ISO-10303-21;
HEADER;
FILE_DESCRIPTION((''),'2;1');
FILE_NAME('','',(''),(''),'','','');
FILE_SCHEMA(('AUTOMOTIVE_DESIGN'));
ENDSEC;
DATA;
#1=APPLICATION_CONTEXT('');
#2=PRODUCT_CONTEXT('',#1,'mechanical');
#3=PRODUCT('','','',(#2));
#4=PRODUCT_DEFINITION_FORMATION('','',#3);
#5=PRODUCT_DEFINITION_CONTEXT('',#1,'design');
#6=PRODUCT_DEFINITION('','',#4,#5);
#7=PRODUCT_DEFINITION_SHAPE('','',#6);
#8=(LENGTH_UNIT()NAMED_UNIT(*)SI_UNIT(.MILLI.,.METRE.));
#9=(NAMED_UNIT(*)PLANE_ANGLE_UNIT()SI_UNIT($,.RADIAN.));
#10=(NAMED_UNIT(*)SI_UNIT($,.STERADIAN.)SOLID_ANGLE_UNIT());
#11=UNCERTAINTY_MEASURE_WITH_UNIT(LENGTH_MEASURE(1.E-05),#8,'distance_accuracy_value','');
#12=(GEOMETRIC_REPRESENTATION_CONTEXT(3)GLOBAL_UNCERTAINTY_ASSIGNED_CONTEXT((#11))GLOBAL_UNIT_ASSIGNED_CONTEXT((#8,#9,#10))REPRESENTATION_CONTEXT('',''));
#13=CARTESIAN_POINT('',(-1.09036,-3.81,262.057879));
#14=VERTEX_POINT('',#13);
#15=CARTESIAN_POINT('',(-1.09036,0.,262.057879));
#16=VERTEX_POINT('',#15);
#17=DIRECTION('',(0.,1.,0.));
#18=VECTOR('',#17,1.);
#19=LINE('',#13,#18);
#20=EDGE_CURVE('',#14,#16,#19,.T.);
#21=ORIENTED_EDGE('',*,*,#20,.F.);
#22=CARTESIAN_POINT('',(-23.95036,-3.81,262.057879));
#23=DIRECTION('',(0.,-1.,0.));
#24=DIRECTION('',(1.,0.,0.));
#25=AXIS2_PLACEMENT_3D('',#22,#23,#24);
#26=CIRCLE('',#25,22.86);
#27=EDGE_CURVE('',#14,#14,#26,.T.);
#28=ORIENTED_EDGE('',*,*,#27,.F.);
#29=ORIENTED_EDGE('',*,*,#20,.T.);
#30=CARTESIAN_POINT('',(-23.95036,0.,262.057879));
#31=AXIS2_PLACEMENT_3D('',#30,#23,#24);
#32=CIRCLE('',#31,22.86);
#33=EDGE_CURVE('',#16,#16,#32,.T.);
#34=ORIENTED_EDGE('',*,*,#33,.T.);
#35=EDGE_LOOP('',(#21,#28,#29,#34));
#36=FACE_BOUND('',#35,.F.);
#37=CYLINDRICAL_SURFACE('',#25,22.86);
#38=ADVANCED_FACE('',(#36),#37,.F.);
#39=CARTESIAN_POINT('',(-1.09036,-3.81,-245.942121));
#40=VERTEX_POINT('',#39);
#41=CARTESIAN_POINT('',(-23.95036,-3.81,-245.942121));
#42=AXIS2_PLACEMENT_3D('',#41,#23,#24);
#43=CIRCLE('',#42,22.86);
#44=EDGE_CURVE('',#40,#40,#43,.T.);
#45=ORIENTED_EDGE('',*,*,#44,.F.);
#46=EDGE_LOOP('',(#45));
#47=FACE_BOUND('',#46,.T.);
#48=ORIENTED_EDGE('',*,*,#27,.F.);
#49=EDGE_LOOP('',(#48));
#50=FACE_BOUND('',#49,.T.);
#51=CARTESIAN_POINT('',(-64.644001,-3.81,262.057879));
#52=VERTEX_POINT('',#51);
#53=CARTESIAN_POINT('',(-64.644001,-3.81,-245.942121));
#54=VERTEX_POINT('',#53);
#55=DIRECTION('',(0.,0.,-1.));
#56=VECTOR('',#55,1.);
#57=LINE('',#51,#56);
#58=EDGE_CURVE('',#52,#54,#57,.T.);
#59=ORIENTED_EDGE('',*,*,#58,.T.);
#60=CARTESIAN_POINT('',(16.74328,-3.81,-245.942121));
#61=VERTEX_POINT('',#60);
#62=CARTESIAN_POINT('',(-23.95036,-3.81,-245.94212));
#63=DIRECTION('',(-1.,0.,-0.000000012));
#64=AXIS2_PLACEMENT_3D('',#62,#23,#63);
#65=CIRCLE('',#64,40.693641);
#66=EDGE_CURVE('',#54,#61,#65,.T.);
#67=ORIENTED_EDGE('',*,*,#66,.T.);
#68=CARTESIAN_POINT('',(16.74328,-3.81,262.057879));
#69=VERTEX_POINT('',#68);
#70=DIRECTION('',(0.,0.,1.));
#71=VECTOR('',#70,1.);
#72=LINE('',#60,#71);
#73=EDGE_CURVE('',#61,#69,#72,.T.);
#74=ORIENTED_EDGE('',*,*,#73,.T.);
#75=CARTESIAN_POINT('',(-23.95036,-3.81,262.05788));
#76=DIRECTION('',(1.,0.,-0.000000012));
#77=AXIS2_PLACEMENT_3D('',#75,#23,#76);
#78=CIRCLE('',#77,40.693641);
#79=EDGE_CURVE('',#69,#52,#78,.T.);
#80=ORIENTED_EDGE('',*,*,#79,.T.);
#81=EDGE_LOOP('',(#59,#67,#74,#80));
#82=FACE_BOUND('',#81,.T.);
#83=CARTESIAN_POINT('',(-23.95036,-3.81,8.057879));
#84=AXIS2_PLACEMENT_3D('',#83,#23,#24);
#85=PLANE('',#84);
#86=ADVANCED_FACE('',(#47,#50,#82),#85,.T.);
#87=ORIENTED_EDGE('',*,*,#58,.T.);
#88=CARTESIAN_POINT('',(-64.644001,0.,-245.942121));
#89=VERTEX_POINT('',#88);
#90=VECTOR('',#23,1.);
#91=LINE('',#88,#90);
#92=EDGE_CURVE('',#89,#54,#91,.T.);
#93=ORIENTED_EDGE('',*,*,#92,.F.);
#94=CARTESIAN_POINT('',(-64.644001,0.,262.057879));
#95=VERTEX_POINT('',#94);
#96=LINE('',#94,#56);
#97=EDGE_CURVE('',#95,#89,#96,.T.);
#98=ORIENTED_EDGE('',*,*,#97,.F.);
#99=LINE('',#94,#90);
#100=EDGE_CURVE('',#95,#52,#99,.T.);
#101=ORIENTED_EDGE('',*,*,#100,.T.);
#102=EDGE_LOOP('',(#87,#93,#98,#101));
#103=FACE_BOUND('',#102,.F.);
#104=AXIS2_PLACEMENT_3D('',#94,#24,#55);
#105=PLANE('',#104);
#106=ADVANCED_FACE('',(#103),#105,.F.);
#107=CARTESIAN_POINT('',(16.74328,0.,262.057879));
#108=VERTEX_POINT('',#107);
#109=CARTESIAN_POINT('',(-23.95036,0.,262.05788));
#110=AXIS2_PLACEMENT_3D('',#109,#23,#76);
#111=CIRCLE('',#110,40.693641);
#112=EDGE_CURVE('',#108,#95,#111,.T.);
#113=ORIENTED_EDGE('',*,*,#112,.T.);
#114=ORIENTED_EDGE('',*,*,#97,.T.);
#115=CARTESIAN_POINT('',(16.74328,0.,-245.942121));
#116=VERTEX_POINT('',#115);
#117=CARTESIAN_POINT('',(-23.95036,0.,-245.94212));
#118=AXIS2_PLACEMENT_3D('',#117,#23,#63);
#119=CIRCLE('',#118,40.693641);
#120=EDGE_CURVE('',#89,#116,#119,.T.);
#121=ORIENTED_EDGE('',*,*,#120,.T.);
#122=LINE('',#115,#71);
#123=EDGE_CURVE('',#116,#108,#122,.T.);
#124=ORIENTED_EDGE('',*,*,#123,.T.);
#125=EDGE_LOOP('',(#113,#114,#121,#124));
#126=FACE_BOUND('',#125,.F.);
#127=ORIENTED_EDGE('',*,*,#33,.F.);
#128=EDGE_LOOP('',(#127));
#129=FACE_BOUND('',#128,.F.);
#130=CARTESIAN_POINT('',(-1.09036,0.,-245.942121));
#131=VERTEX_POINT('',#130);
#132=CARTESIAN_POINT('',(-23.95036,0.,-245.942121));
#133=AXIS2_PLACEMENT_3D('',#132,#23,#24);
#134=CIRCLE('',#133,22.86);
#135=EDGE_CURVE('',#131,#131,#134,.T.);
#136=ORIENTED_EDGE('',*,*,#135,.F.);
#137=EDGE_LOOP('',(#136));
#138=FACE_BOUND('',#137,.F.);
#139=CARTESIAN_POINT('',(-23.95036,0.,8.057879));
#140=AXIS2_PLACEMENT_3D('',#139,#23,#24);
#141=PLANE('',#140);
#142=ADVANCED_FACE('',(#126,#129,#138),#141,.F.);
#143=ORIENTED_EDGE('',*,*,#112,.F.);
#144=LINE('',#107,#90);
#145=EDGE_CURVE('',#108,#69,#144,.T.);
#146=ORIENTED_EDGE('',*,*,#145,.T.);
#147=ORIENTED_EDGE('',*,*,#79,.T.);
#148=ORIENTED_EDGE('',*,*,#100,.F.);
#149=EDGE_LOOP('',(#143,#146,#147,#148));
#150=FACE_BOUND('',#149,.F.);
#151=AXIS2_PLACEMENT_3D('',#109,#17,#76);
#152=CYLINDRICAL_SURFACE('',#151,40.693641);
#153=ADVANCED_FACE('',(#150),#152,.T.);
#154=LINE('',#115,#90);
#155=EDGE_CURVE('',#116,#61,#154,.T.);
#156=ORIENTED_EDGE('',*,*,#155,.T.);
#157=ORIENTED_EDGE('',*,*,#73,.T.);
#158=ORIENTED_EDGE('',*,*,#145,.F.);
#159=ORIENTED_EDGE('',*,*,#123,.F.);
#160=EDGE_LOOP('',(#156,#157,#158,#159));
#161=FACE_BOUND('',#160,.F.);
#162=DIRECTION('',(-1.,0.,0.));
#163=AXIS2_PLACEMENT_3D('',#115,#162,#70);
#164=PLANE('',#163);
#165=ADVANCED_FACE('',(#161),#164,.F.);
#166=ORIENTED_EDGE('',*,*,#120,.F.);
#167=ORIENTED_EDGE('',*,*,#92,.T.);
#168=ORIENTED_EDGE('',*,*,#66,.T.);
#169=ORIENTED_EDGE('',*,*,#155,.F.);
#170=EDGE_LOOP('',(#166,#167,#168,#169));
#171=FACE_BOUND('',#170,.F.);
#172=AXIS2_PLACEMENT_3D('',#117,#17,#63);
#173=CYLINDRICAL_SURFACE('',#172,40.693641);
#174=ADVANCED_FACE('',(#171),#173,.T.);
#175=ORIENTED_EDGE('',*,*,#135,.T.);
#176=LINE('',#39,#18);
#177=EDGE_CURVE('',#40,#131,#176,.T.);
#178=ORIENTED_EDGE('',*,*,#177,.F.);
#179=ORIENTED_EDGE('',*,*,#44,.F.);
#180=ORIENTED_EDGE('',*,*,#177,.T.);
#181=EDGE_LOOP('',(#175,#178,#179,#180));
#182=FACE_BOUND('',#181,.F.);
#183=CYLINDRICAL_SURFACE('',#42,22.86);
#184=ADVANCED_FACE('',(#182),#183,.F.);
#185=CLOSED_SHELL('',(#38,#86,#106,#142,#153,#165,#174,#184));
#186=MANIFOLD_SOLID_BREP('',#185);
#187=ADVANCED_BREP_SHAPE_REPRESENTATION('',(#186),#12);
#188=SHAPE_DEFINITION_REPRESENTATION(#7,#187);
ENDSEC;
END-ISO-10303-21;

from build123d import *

# Parameters (mm, degrees)
F1_DEPTH = 3.81
F2_R     = 22.86
F3_DEPTH = 25.4


with BuildPart() as f1:
    # F0 (on Front) → F1 (new body)
    with BuildSketch(Plane.XZ):
        with BuildLine():
            Line((-64.644001, 262.057879), (-64.644001, -245.942121))
            ThreePointArc((-64.644001, -245.942121), (-23.95036, -286.635761), (16.74328, -245.942121))
            Line((16.74328, -245.942121), (16.74328, 262.057879))
            ThreePointArc((16.74328, 262.057879), (-23.95036, 302.75152), (-64.644001, 262.057879))
        make_face()
    extrude(amount=F1_DEPTH)

    # F2 (on face) → F3 (cut)
    with BuildSketch(Plane.XZ.offset(3.81)):
        with Locations((-23.95036, 262.057879)):
            Circle(F2_R)
        with Locations((-23.95036, -245.942121)):
            Circle(F2_R)
    extrude(amount=-F3_DEPTH, mode=Mode.SUBTRACT)


solid = f1.part
